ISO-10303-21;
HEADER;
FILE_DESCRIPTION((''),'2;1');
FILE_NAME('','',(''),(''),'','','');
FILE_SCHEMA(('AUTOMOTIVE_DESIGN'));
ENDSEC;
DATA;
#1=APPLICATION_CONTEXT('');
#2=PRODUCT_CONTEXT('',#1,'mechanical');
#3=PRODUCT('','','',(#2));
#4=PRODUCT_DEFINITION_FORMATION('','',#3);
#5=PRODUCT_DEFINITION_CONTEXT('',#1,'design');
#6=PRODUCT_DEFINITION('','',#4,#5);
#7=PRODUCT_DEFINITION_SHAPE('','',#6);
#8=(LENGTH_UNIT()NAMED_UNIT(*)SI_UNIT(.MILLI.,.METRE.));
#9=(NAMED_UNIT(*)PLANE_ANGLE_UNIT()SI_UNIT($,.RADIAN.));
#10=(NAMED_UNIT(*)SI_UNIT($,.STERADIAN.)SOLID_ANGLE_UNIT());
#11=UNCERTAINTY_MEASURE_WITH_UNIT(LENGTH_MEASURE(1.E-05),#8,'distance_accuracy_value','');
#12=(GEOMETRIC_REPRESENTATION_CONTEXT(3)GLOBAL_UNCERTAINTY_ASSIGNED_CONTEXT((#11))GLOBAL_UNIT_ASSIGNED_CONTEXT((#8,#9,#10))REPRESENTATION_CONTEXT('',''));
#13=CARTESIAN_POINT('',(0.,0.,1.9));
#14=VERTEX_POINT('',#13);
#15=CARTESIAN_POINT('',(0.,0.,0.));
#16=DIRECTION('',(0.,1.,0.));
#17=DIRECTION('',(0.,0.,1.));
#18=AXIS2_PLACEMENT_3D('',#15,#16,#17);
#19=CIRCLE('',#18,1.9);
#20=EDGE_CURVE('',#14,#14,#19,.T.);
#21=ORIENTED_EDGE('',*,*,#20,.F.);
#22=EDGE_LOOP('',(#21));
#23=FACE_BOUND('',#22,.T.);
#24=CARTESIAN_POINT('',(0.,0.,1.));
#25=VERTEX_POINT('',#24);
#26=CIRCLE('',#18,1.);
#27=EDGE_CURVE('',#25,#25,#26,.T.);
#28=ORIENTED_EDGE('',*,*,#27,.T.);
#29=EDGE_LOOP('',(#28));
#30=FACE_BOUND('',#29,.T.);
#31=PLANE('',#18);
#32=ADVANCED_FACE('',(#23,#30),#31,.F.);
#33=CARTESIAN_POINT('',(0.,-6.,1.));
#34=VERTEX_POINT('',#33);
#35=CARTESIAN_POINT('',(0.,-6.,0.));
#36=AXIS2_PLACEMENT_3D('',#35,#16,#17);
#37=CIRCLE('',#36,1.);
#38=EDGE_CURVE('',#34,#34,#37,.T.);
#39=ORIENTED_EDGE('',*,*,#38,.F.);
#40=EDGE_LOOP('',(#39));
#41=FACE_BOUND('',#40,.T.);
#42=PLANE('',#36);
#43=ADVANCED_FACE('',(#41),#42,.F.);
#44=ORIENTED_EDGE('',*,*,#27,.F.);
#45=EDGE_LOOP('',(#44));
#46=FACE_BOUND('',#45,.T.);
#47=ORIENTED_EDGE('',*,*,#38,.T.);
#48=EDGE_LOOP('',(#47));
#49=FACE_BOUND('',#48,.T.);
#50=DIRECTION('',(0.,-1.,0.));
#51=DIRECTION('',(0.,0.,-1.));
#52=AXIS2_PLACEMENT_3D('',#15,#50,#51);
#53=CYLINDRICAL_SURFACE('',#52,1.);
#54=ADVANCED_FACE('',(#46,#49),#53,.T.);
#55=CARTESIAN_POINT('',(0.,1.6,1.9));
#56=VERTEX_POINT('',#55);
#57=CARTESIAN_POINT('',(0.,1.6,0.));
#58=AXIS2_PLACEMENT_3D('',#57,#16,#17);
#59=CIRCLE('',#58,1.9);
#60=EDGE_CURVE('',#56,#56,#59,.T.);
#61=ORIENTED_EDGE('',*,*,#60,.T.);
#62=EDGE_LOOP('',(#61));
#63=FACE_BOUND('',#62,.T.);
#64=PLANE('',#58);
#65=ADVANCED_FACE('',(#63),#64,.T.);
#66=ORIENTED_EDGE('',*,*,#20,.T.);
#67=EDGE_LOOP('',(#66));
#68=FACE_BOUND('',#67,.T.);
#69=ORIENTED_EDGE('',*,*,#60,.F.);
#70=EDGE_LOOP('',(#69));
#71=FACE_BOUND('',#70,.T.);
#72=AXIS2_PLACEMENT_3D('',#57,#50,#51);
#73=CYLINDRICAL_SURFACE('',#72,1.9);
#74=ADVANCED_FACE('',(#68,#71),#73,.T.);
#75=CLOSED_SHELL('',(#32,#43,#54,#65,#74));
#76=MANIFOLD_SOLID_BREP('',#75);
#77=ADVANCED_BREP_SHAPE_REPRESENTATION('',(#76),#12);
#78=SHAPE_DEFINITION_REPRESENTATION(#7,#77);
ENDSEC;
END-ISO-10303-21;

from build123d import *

# Parameters (mm, degrees)
SKETCH1_R   = 1.9
HEAD_DEPTH  = 1.6
SHANK_START = -6
SKETCH2_R   = 1
SHANK_DEPTH = 6


with BuildPart() as part:
    # Sketch1 → Head (new body)
    with BuildSketch(Plane(origin=(0, 0, 0), x_dir=(1, 0, 0), z_dir=(0, 1, 0))):
        with Locations(Location((0, 0, 0), (0, 0, 270))):
            Circle(SKETCH1_R)
    extrude(amount=HEAD_DEPTH)

    # Sketch2 → Shank (add)
    with BuildSketch(Plane(origin=(0, 0, 0), x_dir=(1, 0, 0), z_dir=(0, 1, 0)).offset(SHANK_START)):
        with Locations(Location((0, 0, 0), (0, 0, 270))):
            Circle(SKETCH2_R)
    extrude(amount=SHANK_DEPTH)


solid = part.part
